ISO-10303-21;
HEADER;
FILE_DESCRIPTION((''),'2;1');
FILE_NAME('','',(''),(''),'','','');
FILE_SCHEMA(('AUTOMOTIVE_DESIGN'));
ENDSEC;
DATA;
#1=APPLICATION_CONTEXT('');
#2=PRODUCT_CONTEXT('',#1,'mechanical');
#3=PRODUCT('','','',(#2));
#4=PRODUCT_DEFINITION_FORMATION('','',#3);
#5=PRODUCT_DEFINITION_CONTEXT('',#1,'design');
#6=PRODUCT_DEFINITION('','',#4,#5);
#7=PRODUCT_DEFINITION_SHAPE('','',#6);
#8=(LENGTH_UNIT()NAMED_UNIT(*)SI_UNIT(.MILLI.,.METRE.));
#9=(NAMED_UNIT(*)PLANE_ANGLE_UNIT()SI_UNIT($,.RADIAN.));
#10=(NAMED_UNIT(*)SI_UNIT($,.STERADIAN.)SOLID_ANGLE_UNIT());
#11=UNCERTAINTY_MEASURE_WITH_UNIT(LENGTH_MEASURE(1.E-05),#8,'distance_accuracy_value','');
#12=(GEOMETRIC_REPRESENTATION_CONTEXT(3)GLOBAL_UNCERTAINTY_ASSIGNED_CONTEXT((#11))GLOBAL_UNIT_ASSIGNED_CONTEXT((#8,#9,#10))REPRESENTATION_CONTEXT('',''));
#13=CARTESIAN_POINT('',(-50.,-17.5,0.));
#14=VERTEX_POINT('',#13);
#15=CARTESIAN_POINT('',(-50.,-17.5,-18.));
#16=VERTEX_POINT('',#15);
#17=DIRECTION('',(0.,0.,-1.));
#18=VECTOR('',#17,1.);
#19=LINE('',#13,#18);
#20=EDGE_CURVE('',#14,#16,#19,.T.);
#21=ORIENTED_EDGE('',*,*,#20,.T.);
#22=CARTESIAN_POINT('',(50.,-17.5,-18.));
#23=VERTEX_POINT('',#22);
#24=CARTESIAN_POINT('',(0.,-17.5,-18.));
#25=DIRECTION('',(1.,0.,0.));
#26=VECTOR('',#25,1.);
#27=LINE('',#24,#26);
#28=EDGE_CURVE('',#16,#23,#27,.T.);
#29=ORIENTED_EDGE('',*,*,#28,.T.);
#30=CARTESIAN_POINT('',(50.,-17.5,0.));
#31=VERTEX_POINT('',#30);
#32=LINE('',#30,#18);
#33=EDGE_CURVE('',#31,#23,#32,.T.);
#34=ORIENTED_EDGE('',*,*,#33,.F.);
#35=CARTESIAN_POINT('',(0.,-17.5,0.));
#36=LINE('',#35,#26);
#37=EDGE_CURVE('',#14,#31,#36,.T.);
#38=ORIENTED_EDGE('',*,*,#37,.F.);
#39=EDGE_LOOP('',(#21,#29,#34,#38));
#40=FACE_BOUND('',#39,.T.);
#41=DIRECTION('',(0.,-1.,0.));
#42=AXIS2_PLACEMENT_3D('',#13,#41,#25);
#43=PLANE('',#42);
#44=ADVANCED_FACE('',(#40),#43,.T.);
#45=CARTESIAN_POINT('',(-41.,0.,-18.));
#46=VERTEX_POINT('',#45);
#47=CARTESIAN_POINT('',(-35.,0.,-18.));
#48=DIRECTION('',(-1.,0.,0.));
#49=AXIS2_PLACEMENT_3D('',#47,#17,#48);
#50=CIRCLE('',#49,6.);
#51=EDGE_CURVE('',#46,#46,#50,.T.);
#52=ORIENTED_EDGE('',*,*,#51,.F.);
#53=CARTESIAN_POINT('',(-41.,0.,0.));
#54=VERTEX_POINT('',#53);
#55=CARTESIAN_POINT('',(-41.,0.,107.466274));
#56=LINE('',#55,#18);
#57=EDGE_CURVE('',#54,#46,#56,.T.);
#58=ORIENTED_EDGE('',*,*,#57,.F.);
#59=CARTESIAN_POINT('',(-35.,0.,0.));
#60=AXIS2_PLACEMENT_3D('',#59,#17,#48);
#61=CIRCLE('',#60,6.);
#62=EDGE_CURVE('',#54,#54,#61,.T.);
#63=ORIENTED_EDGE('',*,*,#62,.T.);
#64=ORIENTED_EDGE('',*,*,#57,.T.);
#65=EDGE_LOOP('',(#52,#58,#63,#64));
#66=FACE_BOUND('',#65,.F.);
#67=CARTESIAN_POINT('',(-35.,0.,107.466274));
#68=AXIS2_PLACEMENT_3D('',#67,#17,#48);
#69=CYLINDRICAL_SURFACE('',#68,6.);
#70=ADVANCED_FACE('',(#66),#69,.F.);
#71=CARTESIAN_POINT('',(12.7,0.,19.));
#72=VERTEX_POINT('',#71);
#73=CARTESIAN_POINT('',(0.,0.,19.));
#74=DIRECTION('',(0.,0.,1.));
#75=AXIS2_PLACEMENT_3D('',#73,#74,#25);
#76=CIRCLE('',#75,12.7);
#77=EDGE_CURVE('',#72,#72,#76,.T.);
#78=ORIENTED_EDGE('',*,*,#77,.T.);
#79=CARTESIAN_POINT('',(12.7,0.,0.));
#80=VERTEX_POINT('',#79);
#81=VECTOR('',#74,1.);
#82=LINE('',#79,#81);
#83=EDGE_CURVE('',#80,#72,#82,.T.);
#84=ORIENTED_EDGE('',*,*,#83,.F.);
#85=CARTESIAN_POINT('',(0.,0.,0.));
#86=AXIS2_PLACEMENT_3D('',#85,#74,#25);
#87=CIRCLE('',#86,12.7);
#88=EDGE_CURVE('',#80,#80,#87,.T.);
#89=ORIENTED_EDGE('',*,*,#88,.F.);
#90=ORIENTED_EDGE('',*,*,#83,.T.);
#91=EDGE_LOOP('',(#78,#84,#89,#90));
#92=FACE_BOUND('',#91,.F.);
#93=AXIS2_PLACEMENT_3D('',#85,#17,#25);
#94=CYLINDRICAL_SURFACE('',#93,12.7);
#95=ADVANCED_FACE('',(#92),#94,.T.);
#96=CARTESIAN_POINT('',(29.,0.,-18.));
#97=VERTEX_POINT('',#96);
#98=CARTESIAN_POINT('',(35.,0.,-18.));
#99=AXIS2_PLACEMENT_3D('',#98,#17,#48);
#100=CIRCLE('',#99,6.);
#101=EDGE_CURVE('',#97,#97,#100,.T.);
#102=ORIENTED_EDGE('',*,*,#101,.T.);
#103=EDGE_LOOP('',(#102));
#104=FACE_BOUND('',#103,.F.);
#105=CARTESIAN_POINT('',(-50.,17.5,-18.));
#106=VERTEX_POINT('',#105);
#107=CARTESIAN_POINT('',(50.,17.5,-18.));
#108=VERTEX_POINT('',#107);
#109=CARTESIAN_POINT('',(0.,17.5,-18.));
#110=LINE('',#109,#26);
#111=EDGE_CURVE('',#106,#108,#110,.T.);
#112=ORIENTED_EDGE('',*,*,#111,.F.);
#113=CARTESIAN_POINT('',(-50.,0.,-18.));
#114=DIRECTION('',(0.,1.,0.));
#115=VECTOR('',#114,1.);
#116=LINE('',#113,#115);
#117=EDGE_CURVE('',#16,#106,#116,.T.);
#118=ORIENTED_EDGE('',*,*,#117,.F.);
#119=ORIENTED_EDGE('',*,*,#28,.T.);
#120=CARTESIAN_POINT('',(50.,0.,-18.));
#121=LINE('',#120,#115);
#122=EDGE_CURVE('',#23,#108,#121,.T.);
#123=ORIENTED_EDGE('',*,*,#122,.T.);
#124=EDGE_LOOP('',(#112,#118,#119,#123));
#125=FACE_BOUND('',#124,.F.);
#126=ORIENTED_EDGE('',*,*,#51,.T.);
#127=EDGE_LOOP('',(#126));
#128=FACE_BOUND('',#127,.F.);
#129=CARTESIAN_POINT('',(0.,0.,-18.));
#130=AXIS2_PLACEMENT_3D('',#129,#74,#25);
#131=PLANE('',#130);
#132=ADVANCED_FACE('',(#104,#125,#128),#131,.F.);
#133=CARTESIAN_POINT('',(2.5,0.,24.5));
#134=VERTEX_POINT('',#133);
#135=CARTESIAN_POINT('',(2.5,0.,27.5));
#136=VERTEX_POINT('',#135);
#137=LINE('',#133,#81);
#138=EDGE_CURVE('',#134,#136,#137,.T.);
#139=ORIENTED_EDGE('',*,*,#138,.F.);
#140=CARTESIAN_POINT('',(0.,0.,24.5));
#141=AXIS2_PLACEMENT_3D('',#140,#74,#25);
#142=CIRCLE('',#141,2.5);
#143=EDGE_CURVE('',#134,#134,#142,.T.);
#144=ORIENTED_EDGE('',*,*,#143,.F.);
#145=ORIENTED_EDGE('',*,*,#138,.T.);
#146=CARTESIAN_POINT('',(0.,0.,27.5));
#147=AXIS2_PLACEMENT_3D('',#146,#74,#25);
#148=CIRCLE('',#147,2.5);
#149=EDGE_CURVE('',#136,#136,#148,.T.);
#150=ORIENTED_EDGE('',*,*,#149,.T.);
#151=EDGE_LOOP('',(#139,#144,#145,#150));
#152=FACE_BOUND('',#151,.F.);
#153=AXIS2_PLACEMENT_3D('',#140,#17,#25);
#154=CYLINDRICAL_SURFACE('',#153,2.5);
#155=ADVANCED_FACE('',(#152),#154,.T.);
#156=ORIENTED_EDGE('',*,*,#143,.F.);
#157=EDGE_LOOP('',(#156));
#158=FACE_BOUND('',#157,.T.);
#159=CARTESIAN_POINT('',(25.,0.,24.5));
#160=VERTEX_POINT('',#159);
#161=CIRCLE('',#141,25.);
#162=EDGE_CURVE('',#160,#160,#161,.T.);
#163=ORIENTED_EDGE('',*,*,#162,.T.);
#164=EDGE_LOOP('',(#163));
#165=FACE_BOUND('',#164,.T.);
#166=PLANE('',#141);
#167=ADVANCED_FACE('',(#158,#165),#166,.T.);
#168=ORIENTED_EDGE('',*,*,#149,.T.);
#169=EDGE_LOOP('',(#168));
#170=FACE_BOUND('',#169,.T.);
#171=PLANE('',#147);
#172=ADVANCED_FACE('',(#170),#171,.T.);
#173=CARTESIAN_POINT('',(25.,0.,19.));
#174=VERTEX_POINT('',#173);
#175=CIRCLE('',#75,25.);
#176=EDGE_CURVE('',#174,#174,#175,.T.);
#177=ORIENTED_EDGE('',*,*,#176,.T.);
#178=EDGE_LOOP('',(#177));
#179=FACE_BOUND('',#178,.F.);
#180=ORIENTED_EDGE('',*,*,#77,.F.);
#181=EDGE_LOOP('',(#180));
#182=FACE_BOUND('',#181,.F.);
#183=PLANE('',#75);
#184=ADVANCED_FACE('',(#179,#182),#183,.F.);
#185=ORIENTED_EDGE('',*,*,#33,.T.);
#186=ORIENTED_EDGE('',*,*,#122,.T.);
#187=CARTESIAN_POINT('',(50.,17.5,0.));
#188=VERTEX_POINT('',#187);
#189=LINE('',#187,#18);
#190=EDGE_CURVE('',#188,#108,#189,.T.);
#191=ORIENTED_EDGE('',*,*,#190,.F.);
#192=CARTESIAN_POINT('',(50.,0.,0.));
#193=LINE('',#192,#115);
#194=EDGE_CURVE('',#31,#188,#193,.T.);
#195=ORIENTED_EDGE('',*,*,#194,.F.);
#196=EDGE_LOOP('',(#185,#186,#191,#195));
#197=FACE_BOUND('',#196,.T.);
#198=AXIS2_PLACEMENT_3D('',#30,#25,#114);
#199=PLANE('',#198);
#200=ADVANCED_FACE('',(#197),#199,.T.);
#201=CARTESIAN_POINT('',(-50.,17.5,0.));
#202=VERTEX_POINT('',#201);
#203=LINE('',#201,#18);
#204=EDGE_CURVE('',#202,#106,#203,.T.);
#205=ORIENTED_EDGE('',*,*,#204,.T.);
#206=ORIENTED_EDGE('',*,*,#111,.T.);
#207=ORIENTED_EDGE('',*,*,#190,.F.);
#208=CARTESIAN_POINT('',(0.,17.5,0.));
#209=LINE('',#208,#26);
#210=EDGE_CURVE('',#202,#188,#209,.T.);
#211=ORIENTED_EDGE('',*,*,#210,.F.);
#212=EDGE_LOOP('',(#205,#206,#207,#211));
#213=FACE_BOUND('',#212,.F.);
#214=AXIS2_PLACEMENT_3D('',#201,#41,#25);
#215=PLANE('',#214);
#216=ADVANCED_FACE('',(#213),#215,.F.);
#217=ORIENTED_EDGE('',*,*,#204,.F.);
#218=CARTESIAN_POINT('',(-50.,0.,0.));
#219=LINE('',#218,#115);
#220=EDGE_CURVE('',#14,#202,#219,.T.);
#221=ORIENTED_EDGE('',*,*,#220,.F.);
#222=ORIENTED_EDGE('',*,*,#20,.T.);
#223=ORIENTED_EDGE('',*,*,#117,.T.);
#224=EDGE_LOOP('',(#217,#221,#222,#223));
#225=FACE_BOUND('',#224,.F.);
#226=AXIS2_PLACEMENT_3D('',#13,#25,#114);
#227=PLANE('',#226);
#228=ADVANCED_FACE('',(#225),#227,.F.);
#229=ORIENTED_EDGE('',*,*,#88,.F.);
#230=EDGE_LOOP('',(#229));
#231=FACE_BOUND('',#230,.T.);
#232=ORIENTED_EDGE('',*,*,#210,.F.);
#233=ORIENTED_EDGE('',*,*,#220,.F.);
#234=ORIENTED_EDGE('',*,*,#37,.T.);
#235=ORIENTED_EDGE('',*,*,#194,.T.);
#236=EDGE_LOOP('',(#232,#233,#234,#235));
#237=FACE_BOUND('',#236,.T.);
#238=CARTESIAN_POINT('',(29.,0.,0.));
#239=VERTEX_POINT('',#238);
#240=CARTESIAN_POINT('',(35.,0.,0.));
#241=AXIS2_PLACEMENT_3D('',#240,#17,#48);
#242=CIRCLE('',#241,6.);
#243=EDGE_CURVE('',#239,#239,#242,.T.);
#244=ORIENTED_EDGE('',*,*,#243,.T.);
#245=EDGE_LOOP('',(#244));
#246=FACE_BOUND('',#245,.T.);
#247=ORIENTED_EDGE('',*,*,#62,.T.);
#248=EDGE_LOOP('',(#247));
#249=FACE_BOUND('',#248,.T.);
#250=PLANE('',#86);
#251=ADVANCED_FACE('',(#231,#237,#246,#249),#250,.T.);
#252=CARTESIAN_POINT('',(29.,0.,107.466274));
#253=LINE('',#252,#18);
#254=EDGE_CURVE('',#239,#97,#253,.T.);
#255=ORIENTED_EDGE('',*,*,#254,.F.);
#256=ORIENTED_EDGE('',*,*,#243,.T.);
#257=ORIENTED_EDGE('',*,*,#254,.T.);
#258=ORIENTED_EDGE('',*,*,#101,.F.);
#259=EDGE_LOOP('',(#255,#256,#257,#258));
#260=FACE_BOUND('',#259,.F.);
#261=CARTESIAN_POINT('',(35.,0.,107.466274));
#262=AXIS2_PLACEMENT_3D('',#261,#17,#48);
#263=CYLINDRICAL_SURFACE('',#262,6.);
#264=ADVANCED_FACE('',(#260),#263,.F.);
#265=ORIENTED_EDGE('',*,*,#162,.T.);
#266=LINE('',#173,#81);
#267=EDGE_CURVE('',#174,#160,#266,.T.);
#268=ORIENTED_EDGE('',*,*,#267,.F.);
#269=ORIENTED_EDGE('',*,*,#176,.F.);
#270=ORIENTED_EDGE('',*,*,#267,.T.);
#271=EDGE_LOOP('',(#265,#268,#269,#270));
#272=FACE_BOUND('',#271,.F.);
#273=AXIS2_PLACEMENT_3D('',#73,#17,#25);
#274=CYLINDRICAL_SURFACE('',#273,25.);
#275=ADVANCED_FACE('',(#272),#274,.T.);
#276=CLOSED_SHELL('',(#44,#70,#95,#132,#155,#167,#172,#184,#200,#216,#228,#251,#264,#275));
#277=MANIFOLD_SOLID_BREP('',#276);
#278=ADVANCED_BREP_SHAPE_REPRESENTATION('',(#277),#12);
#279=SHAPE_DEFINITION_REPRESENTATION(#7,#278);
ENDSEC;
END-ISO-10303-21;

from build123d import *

# Parameters (mm, degrees)
F0_W     = 100
F0_H     = 35
F1_DEPTH = 18
F3_D     = 12
F4_R     = 12.7
F5_DEPTH = 19
F6_R     = 25
F6_R_2   = 12.7
F7_DEPTH = 5.5
F8_R     = 2.5
F9_DEPTH = 3


with BuildPart() as f1:
    # F0 (on Top) → F1 (new body)
    with BuildSketch(Plane.XY):
        Rectangle(F0_W, F0_H)
    extrude(amount=-F1_DEPTH)

    # F3 (through all)
    with Locations(Plane.XY):
        with Locations((-35, 0), (35, 0)):
            Hole(F3_D / 2)

    # F4 (on face) → F5 (join)
    with BuildSketch(Plane.XY):
        Circle(F4_R)
    extrude(amount=F5_DEPTH)

    # F6 (on face) → F7 (join)
    with BuildSketch(Plane.XY.offset(19)):
        Circle(F6_R)
        Circle(F6_R_2, mode=Mode.SUBTRACT)
        Circle(F6_R_2)
    extrude(amount=F7_DEPTH)

    # F8 (on face) → F9 (join)
    with BuildSketch(Plane.XY.offset(24.5)):
        Circle(F8_R)
    extrude(amount=F9_DEPTH)


solid = f1.part
